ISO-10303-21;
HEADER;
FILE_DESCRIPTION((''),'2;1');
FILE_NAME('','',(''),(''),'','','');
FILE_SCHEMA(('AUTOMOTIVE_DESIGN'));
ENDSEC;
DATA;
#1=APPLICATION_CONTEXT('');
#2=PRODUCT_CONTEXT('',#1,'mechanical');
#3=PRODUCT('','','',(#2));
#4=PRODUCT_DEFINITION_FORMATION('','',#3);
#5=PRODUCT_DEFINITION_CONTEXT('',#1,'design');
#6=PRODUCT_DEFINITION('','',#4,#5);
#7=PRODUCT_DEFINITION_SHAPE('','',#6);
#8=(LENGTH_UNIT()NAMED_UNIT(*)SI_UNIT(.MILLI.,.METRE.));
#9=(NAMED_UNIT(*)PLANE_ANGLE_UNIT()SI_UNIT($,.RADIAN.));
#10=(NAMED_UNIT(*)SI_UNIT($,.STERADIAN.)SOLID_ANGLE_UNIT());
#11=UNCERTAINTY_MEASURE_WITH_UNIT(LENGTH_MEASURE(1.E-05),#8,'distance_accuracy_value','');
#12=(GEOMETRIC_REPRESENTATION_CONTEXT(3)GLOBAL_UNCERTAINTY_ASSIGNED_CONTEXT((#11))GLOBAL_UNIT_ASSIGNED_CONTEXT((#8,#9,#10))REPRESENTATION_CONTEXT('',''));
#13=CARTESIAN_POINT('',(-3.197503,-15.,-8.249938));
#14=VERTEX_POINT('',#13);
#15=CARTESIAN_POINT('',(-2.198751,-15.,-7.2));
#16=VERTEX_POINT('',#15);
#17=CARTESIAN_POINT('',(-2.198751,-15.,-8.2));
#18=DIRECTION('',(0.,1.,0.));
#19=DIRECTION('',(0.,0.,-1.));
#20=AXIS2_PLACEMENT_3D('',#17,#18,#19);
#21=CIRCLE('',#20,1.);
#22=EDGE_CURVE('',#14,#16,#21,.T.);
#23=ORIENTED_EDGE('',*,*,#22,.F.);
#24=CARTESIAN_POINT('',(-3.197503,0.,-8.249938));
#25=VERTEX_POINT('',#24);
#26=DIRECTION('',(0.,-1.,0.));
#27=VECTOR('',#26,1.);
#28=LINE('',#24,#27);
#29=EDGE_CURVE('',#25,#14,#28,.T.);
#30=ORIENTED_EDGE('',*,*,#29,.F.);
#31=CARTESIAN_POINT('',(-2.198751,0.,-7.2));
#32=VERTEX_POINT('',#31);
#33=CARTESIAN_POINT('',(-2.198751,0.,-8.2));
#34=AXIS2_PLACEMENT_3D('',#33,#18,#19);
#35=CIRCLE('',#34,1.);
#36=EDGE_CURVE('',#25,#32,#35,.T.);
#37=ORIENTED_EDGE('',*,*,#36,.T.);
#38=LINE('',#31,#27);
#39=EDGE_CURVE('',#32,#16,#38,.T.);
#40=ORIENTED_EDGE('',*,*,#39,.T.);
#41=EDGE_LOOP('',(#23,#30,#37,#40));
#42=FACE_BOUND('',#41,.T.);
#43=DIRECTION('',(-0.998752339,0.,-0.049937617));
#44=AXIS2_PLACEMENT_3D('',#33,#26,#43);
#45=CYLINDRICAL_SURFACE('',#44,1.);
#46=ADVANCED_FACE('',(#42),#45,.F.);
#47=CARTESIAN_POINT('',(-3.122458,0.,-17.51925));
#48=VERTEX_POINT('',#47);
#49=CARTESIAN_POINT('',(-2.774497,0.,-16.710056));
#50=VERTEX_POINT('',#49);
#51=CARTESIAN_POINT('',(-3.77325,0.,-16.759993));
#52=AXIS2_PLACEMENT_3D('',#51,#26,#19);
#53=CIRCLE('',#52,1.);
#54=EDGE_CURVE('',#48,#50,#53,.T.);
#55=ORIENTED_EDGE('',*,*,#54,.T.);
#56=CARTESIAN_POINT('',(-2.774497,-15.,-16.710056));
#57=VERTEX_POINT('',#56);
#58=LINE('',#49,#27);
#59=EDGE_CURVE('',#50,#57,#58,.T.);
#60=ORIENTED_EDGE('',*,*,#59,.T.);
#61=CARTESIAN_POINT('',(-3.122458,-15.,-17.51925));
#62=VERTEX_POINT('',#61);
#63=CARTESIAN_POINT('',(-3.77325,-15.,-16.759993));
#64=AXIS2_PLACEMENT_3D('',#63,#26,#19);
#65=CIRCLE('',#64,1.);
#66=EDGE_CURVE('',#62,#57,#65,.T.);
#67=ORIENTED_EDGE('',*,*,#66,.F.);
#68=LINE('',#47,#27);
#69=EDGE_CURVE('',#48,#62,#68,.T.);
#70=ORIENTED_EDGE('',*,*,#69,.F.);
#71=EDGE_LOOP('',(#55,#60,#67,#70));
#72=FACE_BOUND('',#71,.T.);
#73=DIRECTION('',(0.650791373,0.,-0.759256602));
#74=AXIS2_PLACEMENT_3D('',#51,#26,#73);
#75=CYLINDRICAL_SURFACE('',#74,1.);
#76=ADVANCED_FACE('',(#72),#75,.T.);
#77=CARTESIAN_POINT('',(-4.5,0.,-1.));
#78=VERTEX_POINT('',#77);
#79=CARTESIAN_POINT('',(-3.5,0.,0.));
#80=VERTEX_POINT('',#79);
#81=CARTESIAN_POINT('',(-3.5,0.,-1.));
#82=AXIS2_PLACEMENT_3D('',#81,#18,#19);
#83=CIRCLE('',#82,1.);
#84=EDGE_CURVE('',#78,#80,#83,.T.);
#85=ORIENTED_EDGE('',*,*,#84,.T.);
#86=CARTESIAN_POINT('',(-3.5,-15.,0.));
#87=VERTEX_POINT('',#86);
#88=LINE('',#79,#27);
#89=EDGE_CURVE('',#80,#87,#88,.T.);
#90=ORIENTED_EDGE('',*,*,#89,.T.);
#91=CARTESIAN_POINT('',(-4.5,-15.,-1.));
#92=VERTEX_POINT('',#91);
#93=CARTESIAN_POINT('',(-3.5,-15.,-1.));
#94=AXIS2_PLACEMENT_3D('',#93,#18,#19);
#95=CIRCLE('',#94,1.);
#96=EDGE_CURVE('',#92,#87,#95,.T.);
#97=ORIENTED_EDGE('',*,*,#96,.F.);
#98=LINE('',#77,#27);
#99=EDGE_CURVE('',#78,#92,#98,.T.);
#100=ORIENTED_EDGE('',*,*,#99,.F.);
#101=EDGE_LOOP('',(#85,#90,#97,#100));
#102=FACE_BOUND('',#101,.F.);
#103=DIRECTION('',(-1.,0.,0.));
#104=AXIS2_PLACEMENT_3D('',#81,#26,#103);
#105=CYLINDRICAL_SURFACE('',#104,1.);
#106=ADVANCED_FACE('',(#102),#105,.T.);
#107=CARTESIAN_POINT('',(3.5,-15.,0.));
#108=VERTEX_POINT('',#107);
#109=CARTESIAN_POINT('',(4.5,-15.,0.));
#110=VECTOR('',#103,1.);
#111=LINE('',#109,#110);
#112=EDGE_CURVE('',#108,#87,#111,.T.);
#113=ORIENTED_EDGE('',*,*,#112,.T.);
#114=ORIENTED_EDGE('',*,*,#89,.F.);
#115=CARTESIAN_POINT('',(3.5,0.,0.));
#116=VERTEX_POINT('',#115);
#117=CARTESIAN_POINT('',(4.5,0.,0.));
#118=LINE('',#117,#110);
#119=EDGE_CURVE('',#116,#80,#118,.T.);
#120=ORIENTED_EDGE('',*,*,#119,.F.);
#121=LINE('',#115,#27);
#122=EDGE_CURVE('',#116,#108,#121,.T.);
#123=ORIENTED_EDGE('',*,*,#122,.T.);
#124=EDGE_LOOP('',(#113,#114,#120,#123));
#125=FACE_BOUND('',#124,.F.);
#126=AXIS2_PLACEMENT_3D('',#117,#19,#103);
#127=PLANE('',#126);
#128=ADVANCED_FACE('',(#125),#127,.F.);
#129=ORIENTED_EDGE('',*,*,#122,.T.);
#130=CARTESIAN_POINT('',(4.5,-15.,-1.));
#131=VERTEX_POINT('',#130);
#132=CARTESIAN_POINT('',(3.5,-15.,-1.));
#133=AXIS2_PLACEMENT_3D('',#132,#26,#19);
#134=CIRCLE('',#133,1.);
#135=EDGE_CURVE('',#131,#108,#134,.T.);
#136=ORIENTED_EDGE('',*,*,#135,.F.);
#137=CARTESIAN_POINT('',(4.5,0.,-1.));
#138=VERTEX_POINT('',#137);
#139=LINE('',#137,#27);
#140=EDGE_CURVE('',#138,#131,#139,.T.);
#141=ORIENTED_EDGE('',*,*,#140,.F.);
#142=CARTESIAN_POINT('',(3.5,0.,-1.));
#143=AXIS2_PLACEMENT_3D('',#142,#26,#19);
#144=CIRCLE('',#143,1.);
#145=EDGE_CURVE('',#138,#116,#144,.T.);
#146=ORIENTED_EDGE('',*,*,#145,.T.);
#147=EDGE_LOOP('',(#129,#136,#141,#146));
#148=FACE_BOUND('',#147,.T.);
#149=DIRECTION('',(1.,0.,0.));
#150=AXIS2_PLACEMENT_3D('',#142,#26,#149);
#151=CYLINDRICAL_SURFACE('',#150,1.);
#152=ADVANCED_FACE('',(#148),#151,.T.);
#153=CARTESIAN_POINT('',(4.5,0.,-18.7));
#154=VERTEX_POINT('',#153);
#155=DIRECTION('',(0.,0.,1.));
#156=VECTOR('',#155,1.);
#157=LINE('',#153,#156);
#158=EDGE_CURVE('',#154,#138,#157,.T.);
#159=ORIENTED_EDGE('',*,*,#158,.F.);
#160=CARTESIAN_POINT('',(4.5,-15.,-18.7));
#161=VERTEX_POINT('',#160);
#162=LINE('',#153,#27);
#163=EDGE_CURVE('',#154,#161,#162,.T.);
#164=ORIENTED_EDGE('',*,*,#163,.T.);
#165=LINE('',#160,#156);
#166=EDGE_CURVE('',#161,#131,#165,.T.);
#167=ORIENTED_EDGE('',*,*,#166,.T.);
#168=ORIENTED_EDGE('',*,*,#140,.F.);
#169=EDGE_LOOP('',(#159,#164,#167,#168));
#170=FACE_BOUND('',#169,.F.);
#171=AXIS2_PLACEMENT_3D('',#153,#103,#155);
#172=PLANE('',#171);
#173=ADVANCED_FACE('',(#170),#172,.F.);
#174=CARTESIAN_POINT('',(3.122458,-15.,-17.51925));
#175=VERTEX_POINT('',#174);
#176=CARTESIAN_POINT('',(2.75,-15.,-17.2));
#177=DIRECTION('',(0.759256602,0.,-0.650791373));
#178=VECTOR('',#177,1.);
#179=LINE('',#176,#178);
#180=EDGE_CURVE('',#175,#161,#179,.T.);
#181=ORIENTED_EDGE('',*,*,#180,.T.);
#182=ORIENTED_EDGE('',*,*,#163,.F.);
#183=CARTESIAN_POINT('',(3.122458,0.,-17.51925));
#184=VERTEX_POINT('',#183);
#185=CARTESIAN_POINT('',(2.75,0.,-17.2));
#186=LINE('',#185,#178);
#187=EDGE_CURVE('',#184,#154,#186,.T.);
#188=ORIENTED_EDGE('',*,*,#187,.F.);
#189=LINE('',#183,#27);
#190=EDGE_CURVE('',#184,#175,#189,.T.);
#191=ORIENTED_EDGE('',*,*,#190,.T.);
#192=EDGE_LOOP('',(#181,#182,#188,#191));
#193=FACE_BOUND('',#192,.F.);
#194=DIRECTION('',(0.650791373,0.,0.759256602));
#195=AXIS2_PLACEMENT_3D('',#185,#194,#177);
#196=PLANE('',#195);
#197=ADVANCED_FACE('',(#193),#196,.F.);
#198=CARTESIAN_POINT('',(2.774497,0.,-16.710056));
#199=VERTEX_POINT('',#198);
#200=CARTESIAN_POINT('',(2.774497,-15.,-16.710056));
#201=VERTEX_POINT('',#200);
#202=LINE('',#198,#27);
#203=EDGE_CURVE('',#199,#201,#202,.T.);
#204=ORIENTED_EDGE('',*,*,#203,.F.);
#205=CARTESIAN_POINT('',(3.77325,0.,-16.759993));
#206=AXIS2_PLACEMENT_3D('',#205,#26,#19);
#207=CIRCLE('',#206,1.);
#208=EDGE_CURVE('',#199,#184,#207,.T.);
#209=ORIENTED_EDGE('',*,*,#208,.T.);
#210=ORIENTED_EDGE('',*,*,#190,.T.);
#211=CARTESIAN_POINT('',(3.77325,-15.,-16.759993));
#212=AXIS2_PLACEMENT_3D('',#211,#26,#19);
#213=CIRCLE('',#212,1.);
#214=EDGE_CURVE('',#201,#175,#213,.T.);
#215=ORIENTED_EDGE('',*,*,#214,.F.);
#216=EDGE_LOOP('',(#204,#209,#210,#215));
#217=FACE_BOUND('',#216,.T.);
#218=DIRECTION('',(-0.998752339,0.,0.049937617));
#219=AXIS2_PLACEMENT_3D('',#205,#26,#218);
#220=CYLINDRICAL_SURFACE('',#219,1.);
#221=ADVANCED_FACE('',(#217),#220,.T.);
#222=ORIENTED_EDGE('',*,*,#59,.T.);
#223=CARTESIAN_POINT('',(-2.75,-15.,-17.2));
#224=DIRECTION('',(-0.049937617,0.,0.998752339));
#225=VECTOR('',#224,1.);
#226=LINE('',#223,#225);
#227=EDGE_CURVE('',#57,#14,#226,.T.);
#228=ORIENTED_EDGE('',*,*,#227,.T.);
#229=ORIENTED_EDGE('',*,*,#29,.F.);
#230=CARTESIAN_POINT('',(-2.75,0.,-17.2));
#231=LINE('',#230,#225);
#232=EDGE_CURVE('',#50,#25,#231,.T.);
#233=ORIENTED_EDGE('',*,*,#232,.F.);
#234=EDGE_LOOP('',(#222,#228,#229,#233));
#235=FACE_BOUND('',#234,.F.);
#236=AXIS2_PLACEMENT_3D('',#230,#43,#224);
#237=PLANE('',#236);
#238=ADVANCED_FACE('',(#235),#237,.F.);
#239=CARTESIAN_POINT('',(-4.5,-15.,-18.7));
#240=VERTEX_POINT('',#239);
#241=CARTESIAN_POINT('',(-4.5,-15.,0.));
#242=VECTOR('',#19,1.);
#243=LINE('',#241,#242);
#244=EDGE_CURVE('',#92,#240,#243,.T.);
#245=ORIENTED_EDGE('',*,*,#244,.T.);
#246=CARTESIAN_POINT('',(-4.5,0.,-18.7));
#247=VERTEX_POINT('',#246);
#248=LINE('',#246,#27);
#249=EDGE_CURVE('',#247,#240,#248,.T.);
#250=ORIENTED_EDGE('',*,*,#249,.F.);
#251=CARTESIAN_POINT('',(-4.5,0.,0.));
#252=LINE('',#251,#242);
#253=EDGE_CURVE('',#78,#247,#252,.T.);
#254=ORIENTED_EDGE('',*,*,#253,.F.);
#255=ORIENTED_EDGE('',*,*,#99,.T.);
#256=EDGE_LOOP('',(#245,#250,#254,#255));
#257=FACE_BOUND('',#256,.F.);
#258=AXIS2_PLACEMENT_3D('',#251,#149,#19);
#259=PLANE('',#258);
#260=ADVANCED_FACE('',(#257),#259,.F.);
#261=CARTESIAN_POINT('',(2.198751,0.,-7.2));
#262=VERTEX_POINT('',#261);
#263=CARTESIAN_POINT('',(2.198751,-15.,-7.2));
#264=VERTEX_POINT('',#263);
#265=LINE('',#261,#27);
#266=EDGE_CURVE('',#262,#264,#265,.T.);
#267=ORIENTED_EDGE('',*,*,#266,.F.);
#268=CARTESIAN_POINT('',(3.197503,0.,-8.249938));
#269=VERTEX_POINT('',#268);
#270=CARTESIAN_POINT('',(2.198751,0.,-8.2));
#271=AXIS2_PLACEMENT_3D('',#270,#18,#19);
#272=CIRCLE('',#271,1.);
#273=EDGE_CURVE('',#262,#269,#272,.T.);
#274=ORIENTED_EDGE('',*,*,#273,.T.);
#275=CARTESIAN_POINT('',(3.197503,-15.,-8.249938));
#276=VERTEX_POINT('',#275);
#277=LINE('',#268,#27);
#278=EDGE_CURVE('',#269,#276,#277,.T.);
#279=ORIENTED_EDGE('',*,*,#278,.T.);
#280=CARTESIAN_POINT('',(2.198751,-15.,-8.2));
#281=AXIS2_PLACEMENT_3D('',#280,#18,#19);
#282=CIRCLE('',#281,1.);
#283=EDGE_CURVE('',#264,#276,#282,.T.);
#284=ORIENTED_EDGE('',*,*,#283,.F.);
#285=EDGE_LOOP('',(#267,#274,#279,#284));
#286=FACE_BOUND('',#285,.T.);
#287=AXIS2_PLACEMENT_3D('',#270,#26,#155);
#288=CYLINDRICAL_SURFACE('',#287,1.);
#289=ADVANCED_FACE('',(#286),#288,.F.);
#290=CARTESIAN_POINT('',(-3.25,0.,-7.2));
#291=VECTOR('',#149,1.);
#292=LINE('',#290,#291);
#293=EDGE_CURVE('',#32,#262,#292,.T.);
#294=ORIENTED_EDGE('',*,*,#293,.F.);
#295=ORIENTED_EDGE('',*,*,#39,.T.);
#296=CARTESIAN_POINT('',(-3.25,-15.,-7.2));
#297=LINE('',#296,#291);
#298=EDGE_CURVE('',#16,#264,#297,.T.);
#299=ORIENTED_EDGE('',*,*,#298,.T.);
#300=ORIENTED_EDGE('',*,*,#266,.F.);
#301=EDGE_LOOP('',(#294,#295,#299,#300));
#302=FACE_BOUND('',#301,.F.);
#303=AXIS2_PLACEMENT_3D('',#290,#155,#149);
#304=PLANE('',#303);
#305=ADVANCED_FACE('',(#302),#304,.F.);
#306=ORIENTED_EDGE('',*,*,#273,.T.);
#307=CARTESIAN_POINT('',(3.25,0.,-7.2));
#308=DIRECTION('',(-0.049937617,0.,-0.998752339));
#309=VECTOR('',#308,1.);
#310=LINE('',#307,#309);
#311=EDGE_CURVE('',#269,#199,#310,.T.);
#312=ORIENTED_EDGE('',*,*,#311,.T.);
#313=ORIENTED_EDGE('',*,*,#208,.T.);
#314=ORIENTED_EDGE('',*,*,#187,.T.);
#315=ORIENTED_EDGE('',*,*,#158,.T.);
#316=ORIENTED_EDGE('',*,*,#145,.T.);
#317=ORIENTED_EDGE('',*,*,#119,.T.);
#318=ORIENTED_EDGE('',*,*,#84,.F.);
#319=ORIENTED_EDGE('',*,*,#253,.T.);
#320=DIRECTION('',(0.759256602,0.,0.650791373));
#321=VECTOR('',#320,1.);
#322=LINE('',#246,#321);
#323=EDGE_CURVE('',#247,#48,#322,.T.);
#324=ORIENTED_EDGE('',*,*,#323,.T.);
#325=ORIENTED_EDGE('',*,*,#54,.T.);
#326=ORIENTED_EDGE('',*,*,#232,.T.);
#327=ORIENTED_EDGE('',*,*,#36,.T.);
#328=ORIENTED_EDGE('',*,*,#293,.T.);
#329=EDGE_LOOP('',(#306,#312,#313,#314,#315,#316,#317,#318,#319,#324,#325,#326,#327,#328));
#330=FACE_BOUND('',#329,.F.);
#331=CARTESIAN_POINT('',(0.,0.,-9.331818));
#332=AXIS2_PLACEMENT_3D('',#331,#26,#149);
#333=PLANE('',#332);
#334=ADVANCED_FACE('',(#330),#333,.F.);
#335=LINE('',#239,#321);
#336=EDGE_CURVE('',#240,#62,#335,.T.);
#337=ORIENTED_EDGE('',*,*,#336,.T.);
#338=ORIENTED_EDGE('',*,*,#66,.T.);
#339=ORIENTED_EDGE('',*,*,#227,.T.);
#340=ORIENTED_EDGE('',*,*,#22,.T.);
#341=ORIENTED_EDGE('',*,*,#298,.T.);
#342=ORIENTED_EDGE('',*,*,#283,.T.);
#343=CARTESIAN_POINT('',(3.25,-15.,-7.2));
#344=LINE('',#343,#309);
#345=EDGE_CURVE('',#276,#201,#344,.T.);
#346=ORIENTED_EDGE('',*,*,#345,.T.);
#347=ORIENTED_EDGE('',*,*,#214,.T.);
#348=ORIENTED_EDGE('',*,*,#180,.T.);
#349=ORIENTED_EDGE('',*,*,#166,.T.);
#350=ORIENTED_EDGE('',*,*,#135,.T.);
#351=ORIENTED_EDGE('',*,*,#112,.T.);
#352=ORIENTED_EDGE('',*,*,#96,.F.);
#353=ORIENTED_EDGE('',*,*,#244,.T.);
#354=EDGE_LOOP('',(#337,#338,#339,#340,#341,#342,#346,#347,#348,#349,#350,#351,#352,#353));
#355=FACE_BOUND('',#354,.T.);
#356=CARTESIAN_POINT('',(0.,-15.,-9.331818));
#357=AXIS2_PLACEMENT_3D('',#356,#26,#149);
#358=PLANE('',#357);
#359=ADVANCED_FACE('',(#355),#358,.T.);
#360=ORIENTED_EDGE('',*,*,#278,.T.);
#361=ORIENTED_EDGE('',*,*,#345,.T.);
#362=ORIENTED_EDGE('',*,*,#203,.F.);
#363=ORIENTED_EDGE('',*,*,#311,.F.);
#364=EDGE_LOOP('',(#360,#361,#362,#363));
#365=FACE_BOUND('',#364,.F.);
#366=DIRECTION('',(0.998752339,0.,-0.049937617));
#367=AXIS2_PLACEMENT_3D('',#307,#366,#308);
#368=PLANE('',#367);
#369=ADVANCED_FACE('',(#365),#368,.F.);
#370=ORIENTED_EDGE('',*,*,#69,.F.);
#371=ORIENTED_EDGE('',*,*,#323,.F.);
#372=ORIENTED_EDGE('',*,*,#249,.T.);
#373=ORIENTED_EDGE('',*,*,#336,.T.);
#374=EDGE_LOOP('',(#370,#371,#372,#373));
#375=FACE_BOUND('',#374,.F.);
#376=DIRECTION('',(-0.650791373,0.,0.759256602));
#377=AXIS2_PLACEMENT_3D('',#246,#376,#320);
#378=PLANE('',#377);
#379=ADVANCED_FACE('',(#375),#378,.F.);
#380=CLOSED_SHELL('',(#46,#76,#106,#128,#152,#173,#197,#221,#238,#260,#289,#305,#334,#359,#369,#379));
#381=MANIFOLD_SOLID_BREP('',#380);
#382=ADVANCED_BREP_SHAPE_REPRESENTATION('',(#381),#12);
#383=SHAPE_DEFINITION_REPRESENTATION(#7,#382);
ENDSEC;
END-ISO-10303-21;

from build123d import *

# Parameters (mm, degrees)
F1_DEPTH = 15
F2_R     = 1
F3_R     = 1


with BuildPart() as f1:
    # F0 (on Front) → F1 (new body)
    with BuildSketch(Plane.XZ):
        Polygon((-4.5, 0), (-4.5, -18.7), (-2.75, -17.2), (-3.25, -7.2), (3.25, -7.2), (2.75, -17.2), (4.5, -18.7), (4.5, -1), (4.5, 0), align=None)
    extrude(amount=F1_DEPTH)

    # F2
    f2_edges = [f1.edges().sort_by_distance(p)[0] for p in [
        (-2.75, -7.5, -17.2),
        (-4.5, -7.5, 0),
        (4.5, -7.5, 0),
        (2.75, -7.5, -17.2),
    ]]
    fillet(f2_edges, radius=F2_R)

    # F3
    f3_edges = [f1.edges().sort_by_distance(p)[0] for p in [
        (-3.25, -7.5, -7.2),
        (3.25, -7.5, -7.2),
    ]]
    fillet(f3_edges, radius=F3_R)


solid = f1.part
